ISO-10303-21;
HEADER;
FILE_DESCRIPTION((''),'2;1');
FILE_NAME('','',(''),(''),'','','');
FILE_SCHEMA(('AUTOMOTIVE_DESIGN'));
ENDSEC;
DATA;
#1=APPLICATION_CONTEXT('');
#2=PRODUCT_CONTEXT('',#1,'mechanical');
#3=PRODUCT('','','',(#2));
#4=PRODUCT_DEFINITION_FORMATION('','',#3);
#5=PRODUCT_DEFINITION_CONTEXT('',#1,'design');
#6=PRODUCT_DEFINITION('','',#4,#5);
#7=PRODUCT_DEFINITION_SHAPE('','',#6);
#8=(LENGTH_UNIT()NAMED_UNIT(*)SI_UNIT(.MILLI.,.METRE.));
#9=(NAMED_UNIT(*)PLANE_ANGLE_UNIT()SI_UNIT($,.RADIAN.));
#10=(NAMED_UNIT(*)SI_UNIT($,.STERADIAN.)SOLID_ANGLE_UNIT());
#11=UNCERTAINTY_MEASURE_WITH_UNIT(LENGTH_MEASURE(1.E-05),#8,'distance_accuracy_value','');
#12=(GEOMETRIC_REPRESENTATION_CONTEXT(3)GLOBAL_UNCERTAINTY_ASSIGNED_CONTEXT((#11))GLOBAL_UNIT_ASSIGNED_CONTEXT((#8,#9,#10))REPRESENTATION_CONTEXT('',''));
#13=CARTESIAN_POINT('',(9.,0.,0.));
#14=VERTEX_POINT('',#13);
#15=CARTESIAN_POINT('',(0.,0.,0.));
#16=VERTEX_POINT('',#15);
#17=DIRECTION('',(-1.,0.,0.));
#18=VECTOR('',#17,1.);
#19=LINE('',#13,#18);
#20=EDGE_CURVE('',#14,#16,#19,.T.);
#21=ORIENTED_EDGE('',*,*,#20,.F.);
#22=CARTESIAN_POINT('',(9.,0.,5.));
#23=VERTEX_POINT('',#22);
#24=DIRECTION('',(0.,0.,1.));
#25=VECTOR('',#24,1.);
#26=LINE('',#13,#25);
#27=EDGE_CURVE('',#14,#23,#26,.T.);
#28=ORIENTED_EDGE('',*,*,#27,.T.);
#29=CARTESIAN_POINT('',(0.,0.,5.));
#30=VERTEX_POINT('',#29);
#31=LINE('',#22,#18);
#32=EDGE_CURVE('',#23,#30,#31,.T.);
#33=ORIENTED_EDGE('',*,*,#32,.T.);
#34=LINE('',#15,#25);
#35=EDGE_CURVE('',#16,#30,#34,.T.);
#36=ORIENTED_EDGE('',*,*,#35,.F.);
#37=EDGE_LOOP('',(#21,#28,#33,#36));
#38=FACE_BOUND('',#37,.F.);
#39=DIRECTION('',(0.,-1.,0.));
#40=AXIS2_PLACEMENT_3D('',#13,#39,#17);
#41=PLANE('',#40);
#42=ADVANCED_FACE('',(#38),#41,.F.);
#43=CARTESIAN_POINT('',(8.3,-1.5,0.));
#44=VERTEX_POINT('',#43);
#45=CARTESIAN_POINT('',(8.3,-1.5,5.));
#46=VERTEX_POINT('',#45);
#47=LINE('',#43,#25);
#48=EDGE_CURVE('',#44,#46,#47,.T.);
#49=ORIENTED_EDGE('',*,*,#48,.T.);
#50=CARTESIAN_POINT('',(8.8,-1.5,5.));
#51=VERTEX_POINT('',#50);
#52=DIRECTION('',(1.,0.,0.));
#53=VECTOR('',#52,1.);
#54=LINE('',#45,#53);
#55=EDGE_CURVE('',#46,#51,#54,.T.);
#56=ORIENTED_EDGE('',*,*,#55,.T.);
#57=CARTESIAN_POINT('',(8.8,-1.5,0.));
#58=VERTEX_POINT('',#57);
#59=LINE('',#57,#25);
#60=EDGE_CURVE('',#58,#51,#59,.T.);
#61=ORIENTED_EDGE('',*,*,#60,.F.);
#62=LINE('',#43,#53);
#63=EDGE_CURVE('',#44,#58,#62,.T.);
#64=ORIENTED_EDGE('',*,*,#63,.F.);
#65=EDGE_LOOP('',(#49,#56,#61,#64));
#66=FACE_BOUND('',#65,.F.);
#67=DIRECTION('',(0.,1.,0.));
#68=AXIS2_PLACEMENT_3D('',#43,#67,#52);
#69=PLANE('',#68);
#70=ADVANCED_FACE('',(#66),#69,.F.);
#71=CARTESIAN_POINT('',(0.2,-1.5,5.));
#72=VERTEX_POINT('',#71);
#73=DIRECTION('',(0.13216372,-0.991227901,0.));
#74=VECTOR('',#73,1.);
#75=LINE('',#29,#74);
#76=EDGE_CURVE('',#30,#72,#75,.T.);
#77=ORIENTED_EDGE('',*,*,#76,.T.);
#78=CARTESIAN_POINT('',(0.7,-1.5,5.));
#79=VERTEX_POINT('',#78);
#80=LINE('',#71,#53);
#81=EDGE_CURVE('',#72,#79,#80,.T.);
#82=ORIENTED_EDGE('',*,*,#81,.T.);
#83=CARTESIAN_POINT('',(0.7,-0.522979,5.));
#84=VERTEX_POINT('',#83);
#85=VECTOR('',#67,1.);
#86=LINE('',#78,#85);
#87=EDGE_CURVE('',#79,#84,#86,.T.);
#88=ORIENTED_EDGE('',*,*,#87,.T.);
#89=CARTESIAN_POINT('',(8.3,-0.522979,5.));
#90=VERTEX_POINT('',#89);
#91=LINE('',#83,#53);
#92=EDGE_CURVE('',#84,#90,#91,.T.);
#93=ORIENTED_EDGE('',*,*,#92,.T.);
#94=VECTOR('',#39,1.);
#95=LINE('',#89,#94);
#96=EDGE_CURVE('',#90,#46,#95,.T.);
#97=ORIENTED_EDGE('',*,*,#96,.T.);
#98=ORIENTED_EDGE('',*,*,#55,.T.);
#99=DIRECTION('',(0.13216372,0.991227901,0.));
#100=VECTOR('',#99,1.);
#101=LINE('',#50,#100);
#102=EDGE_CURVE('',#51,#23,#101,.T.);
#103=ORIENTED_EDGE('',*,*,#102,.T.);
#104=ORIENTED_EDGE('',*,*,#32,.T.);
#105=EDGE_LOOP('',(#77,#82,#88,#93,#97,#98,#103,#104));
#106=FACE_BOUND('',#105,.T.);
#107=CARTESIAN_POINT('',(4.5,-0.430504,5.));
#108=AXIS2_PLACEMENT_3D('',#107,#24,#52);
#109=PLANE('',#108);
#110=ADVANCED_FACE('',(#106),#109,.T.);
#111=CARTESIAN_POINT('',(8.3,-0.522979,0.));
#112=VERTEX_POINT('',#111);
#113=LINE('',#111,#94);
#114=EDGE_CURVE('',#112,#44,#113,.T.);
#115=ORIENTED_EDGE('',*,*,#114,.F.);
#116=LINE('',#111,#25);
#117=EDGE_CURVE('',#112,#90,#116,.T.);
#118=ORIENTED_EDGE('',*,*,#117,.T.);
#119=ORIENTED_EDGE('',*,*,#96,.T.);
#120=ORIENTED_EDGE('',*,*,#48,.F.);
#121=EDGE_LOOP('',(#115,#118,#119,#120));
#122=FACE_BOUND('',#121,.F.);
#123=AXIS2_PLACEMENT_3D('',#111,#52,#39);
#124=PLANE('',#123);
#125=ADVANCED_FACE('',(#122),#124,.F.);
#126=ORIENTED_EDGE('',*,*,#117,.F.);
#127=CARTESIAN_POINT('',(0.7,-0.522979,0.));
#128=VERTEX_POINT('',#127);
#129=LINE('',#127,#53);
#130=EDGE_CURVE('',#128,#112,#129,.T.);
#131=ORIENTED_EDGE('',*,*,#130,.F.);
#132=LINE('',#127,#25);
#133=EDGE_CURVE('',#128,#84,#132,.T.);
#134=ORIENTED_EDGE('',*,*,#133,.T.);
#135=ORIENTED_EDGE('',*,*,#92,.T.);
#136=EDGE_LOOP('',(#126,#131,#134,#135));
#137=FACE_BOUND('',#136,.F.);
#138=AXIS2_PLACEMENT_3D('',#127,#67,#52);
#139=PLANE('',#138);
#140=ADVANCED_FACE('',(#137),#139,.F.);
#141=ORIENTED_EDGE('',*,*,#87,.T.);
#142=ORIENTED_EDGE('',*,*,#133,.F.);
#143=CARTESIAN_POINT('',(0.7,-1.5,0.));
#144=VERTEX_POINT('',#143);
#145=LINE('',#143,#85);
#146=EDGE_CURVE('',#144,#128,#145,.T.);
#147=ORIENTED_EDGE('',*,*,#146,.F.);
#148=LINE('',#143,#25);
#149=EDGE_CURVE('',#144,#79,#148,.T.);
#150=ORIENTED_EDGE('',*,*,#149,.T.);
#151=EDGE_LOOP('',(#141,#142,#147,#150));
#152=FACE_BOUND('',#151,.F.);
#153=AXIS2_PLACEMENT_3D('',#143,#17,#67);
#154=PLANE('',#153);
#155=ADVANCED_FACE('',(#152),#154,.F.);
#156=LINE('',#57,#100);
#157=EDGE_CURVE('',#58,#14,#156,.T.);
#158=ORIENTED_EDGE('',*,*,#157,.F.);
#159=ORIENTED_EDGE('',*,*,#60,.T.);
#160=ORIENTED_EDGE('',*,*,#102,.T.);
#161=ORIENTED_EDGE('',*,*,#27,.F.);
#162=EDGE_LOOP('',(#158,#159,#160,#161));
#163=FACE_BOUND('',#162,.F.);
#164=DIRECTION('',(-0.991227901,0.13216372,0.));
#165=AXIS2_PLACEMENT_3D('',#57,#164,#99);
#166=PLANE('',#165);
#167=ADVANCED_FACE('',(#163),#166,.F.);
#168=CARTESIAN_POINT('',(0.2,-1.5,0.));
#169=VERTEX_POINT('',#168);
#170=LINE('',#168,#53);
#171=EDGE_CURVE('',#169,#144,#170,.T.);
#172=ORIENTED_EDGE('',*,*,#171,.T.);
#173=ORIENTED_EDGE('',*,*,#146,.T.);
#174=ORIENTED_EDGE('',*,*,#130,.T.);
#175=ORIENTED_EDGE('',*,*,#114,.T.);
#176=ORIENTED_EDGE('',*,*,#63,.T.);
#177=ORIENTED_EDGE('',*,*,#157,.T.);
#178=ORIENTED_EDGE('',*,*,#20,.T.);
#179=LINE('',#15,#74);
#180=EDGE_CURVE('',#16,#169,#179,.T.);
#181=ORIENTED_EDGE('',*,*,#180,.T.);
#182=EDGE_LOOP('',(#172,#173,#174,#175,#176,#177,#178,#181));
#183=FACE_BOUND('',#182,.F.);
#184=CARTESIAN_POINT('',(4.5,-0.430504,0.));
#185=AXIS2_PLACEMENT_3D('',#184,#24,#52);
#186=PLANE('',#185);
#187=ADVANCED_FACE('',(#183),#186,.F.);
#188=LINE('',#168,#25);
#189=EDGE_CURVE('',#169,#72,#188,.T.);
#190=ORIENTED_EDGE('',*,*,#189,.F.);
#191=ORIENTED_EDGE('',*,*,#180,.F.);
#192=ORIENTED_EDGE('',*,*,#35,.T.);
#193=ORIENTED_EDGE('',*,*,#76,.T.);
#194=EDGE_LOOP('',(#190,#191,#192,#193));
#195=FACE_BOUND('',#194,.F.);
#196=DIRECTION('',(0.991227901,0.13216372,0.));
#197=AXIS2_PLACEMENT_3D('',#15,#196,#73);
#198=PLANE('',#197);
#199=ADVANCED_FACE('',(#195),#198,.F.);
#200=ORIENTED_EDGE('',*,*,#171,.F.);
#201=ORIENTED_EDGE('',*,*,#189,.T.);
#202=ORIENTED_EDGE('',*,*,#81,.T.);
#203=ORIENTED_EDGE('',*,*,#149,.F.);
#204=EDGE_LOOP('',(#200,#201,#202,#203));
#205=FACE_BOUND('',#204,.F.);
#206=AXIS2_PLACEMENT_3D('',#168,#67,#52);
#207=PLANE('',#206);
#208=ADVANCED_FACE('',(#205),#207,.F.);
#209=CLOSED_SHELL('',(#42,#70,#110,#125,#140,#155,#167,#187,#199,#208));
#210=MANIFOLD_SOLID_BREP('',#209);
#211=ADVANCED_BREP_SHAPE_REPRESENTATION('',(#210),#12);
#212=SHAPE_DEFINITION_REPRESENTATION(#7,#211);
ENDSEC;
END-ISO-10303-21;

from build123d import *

# Parameters (mm, degrees)
PAD_DEPTH = 5


with BuildPart() as part:
    # Sketch → Pad (new body)
    with BuildSketch(Plane.XY):
        Polygon((0.7, -1.5), (0.7, -0.522979), (8.3, -0.522979), (8.3, -1.5), (8.8, -1.5), (9, 0), (0, 0), (0.2, -1.5), align=None)
    extrude(amount=PAD_DEPTH)


solid = part.part
